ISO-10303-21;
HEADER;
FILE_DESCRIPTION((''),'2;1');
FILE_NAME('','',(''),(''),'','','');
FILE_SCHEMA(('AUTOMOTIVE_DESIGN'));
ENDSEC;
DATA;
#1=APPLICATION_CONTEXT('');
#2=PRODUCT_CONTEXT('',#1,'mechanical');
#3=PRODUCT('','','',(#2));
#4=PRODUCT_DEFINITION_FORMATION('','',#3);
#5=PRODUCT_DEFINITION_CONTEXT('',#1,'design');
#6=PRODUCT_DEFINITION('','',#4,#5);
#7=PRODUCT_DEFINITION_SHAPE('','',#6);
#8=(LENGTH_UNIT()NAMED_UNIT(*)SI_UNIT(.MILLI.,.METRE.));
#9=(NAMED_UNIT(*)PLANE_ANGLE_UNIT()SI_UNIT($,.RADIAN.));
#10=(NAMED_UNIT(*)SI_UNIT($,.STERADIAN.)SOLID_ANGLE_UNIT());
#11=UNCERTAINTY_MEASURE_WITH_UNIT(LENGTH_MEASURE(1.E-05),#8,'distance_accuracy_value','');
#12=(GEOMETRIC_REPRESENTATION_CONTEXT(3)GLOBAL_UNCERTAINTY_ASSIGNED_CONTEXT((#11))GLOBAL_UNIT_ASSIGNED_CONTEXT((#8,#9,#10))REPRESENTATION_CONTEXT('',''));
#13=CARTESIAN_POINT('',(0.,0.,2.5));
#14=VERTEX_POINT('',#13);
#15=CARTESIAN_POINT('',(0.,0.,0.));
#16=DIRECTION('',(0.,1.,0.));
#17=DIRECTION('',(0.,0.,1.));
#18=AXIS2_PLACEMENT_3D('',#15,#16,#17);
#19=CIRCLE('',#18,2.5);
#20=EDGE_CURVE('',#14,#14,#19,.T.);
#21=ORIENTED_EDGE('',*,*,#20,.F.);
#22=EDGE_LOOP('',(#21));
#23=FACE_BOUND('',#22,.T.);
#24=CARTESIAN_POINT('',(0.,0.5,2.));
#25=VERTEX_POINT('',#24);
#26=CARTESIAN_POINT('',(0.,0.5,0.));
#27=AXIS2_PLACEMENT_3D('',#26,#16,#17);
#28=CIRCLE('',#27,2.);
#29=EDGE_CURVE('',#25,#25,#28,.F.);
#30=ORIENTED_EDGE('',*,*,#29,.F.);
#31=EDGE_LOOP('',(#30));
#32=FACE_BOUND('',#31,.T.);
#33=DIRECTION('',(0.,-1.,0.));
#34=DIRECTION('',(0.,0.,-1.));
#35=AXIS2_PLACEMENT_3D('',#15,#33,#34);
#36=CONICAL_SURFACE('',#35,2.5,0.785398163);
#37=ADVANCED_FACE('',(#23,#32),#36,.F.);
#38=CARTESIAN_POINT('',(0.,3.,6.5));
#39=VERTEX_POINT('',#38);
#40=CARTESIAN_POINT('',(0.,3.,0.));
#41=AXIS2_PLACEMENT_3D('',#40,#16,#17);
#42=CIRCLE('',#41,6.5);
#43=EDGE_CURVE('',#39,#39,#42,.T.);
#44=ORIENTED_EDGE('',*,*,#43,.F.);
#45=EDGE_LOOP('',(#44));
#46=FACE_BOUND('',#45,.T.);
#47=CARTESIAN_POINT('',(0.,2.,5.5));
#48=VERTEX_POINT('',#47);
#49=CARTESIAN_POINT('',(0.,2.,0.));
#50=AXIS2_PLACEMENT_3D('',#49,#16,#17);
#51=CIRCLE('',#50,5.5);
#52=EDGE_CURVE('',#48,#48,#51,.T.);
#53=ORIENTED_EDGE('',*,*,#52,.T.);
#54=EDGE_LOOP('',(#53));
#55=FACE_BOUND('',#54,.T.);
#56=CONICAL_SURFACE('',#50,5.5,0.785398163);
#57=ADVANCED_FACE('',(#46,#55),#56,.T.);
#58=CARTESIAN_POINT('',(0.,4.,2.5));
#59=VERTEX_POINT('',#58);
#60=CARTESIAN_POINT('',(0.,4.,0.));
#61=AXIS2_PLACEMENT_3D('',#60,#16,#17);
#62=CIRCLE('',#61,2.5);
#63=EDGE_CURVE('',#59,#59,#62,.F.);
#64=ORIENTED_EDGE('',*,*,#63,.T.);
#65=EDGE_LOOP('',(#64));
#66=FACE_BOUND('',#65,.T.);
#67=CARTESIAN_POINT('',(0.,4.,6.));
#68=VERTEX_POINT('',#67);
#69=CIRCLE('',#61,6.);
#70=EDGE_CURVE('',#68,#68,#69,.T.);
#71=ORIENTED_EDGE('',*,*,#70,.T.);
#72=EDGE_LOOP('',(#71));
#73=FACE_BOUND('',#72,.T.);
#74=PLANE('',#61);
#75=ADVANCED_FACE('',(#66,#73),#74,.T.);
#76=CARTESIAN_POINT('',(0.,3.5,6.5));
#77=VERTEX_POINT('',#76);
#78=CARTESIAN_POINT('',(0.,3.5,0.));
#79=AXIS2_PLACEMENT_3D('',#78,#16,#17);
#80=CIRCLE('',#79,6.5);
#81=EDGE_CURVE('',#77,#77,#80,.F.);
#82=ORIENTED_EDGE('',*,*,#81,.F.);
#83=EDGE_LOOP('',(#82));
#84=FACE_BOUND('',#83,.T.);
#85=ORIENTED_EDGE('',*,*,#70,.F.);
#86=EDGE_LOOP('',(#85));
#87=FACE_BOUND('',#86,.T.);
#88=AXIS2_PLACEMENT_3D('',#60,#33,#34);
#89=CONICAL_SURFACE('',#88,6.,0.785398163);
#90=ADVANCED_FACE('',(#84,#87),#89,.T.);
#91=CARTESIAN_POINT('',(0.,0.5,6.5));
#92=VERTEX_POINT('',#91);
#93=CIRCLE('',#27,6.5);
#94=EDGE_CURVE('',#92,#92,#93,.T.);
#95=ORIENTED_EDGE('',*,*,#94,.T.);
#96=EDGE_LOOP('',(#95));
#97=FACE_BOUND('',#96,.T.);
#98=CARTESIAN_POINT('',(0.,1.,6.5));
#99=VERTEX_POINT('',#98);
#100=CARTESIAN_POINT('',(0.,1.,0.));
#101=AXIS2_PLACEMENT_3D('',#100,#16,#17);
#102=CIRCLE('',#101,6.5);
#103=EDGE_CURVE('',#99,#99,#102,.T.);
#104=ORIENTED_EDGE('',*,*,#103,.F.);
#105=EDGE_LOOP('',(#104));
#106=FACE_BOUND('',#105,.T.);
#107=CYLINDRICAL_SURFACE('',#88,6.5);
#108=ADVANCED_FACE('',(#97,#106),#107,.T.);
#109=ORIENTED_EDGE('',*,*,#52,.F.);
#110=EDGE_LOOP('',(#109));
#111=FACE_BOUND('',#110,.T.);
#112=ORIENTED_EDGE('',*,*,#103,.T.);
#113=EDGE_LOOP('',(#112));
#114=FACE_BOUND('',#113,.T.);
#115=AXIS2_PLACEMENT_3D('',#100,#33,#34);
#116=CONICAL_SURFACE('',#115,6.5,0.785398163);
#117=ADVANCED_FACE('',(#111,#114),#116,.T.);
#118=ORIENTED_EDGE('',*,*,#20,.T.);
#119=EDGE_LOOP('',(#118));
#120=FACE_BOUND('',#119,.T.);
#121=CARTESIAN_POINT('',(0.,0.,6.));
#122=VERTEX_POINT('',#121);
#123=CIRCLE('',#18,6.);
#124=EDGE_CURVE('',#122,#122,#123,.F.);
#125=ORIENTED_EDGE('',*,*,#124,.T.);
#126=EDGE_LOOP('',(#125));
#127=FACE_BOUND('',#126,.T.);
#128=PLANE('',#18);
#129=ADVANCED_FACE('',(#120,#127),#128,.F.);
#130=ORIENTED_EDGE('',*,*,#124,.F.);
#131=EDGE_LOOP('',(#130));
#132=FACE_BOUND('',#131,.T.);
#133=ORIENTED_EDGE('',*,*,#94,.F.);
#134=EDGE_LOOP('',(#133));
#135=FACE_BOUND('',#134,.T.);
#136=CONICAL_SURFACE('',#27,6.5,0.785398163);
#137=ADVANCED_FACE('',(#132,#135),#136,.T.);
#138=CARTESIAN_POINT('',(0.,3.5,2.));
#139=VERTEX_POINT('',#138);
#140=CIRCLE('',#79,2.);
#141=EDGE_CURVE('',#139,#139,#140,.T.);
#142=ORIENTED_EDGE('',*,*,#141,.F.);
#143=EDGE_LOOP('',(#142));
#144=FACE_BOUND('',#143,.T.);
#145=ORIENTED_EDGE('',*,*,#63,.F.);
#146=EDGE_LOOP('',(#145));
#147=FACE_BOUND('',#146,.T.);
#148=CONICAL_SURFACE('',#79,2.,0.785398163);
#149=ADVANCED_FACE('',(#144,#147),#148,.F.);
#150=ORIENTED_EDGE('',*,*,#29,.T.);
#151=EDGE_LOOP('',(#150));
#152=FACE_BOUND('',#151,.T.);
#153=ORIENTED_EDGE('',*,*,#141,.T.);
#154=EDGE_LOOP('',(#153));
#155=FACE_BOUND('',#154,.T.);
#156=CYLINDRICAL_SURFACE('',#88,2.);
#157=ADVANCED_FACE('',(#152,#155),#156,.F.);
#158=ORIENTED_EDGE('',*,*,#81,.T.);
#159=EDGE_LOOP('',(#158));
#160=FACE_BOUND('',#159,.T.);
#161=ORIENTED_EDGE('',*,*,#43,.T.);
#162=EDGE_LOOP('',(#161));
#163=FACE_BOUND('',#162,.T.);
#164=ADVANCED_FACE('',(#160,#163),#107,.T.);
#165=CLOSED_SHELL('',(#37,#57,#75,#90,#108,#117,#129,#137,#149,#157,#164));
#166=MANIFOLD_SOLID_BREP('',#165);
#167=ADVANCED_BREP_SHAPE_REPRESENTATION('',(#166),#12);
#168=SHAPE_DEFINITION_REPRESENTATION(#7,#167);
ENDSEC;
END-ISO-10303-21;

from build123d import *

# Parameters (mm, degrees)
SKETCH1_R           = 6.5
SKETCH1_R_2         = 2
BOSS_EXTRUDE1_DEPTH = 4
CHAMFER1_SIZE       = 0.5


with BuildPart() as part:
    # Sketch1 → Boss-Extrude1 (new body)
    with BuildSketch(Plane(origin=(0, 0, 0), x_dir=(1, 0, 0), z_dir=(0, 1, 0))):
        Circle(SKETCH1_R)
        Circle(SKETCH1_R_2, mode=Mode.SUBTRACT)
    extrude(amount=BOSS_EXTRUDE1_DEPTH)

    # Sketch2 → Cut-Revolve1 (revolve, cut)
    with BuildSketch(Plane(origin=(0, 0, 0), x_dir=(0, 0, -1), z_dir=(1, 0, 0))):
        Polygon((-6.5, 3), (-6.5, 1), (-5.5, 2), align=None)
    revolve(axis=Axis((0, 4, 0), (0, -1, 0)), mode=Mode.SUBTRACT)

    # Chamfer1
    chamfer1_edges = [part.edges().sort_by_distance(p)[0] for p in [
        (-6.5, 0, 0),
        (-6.5, 4, 0),
        (-2, 0, 0),
        (-2, 4, 0),
    ]]
    chamfer(chamfer1_edges, length=CHAMFER1_SIZE)


solid = part.part
